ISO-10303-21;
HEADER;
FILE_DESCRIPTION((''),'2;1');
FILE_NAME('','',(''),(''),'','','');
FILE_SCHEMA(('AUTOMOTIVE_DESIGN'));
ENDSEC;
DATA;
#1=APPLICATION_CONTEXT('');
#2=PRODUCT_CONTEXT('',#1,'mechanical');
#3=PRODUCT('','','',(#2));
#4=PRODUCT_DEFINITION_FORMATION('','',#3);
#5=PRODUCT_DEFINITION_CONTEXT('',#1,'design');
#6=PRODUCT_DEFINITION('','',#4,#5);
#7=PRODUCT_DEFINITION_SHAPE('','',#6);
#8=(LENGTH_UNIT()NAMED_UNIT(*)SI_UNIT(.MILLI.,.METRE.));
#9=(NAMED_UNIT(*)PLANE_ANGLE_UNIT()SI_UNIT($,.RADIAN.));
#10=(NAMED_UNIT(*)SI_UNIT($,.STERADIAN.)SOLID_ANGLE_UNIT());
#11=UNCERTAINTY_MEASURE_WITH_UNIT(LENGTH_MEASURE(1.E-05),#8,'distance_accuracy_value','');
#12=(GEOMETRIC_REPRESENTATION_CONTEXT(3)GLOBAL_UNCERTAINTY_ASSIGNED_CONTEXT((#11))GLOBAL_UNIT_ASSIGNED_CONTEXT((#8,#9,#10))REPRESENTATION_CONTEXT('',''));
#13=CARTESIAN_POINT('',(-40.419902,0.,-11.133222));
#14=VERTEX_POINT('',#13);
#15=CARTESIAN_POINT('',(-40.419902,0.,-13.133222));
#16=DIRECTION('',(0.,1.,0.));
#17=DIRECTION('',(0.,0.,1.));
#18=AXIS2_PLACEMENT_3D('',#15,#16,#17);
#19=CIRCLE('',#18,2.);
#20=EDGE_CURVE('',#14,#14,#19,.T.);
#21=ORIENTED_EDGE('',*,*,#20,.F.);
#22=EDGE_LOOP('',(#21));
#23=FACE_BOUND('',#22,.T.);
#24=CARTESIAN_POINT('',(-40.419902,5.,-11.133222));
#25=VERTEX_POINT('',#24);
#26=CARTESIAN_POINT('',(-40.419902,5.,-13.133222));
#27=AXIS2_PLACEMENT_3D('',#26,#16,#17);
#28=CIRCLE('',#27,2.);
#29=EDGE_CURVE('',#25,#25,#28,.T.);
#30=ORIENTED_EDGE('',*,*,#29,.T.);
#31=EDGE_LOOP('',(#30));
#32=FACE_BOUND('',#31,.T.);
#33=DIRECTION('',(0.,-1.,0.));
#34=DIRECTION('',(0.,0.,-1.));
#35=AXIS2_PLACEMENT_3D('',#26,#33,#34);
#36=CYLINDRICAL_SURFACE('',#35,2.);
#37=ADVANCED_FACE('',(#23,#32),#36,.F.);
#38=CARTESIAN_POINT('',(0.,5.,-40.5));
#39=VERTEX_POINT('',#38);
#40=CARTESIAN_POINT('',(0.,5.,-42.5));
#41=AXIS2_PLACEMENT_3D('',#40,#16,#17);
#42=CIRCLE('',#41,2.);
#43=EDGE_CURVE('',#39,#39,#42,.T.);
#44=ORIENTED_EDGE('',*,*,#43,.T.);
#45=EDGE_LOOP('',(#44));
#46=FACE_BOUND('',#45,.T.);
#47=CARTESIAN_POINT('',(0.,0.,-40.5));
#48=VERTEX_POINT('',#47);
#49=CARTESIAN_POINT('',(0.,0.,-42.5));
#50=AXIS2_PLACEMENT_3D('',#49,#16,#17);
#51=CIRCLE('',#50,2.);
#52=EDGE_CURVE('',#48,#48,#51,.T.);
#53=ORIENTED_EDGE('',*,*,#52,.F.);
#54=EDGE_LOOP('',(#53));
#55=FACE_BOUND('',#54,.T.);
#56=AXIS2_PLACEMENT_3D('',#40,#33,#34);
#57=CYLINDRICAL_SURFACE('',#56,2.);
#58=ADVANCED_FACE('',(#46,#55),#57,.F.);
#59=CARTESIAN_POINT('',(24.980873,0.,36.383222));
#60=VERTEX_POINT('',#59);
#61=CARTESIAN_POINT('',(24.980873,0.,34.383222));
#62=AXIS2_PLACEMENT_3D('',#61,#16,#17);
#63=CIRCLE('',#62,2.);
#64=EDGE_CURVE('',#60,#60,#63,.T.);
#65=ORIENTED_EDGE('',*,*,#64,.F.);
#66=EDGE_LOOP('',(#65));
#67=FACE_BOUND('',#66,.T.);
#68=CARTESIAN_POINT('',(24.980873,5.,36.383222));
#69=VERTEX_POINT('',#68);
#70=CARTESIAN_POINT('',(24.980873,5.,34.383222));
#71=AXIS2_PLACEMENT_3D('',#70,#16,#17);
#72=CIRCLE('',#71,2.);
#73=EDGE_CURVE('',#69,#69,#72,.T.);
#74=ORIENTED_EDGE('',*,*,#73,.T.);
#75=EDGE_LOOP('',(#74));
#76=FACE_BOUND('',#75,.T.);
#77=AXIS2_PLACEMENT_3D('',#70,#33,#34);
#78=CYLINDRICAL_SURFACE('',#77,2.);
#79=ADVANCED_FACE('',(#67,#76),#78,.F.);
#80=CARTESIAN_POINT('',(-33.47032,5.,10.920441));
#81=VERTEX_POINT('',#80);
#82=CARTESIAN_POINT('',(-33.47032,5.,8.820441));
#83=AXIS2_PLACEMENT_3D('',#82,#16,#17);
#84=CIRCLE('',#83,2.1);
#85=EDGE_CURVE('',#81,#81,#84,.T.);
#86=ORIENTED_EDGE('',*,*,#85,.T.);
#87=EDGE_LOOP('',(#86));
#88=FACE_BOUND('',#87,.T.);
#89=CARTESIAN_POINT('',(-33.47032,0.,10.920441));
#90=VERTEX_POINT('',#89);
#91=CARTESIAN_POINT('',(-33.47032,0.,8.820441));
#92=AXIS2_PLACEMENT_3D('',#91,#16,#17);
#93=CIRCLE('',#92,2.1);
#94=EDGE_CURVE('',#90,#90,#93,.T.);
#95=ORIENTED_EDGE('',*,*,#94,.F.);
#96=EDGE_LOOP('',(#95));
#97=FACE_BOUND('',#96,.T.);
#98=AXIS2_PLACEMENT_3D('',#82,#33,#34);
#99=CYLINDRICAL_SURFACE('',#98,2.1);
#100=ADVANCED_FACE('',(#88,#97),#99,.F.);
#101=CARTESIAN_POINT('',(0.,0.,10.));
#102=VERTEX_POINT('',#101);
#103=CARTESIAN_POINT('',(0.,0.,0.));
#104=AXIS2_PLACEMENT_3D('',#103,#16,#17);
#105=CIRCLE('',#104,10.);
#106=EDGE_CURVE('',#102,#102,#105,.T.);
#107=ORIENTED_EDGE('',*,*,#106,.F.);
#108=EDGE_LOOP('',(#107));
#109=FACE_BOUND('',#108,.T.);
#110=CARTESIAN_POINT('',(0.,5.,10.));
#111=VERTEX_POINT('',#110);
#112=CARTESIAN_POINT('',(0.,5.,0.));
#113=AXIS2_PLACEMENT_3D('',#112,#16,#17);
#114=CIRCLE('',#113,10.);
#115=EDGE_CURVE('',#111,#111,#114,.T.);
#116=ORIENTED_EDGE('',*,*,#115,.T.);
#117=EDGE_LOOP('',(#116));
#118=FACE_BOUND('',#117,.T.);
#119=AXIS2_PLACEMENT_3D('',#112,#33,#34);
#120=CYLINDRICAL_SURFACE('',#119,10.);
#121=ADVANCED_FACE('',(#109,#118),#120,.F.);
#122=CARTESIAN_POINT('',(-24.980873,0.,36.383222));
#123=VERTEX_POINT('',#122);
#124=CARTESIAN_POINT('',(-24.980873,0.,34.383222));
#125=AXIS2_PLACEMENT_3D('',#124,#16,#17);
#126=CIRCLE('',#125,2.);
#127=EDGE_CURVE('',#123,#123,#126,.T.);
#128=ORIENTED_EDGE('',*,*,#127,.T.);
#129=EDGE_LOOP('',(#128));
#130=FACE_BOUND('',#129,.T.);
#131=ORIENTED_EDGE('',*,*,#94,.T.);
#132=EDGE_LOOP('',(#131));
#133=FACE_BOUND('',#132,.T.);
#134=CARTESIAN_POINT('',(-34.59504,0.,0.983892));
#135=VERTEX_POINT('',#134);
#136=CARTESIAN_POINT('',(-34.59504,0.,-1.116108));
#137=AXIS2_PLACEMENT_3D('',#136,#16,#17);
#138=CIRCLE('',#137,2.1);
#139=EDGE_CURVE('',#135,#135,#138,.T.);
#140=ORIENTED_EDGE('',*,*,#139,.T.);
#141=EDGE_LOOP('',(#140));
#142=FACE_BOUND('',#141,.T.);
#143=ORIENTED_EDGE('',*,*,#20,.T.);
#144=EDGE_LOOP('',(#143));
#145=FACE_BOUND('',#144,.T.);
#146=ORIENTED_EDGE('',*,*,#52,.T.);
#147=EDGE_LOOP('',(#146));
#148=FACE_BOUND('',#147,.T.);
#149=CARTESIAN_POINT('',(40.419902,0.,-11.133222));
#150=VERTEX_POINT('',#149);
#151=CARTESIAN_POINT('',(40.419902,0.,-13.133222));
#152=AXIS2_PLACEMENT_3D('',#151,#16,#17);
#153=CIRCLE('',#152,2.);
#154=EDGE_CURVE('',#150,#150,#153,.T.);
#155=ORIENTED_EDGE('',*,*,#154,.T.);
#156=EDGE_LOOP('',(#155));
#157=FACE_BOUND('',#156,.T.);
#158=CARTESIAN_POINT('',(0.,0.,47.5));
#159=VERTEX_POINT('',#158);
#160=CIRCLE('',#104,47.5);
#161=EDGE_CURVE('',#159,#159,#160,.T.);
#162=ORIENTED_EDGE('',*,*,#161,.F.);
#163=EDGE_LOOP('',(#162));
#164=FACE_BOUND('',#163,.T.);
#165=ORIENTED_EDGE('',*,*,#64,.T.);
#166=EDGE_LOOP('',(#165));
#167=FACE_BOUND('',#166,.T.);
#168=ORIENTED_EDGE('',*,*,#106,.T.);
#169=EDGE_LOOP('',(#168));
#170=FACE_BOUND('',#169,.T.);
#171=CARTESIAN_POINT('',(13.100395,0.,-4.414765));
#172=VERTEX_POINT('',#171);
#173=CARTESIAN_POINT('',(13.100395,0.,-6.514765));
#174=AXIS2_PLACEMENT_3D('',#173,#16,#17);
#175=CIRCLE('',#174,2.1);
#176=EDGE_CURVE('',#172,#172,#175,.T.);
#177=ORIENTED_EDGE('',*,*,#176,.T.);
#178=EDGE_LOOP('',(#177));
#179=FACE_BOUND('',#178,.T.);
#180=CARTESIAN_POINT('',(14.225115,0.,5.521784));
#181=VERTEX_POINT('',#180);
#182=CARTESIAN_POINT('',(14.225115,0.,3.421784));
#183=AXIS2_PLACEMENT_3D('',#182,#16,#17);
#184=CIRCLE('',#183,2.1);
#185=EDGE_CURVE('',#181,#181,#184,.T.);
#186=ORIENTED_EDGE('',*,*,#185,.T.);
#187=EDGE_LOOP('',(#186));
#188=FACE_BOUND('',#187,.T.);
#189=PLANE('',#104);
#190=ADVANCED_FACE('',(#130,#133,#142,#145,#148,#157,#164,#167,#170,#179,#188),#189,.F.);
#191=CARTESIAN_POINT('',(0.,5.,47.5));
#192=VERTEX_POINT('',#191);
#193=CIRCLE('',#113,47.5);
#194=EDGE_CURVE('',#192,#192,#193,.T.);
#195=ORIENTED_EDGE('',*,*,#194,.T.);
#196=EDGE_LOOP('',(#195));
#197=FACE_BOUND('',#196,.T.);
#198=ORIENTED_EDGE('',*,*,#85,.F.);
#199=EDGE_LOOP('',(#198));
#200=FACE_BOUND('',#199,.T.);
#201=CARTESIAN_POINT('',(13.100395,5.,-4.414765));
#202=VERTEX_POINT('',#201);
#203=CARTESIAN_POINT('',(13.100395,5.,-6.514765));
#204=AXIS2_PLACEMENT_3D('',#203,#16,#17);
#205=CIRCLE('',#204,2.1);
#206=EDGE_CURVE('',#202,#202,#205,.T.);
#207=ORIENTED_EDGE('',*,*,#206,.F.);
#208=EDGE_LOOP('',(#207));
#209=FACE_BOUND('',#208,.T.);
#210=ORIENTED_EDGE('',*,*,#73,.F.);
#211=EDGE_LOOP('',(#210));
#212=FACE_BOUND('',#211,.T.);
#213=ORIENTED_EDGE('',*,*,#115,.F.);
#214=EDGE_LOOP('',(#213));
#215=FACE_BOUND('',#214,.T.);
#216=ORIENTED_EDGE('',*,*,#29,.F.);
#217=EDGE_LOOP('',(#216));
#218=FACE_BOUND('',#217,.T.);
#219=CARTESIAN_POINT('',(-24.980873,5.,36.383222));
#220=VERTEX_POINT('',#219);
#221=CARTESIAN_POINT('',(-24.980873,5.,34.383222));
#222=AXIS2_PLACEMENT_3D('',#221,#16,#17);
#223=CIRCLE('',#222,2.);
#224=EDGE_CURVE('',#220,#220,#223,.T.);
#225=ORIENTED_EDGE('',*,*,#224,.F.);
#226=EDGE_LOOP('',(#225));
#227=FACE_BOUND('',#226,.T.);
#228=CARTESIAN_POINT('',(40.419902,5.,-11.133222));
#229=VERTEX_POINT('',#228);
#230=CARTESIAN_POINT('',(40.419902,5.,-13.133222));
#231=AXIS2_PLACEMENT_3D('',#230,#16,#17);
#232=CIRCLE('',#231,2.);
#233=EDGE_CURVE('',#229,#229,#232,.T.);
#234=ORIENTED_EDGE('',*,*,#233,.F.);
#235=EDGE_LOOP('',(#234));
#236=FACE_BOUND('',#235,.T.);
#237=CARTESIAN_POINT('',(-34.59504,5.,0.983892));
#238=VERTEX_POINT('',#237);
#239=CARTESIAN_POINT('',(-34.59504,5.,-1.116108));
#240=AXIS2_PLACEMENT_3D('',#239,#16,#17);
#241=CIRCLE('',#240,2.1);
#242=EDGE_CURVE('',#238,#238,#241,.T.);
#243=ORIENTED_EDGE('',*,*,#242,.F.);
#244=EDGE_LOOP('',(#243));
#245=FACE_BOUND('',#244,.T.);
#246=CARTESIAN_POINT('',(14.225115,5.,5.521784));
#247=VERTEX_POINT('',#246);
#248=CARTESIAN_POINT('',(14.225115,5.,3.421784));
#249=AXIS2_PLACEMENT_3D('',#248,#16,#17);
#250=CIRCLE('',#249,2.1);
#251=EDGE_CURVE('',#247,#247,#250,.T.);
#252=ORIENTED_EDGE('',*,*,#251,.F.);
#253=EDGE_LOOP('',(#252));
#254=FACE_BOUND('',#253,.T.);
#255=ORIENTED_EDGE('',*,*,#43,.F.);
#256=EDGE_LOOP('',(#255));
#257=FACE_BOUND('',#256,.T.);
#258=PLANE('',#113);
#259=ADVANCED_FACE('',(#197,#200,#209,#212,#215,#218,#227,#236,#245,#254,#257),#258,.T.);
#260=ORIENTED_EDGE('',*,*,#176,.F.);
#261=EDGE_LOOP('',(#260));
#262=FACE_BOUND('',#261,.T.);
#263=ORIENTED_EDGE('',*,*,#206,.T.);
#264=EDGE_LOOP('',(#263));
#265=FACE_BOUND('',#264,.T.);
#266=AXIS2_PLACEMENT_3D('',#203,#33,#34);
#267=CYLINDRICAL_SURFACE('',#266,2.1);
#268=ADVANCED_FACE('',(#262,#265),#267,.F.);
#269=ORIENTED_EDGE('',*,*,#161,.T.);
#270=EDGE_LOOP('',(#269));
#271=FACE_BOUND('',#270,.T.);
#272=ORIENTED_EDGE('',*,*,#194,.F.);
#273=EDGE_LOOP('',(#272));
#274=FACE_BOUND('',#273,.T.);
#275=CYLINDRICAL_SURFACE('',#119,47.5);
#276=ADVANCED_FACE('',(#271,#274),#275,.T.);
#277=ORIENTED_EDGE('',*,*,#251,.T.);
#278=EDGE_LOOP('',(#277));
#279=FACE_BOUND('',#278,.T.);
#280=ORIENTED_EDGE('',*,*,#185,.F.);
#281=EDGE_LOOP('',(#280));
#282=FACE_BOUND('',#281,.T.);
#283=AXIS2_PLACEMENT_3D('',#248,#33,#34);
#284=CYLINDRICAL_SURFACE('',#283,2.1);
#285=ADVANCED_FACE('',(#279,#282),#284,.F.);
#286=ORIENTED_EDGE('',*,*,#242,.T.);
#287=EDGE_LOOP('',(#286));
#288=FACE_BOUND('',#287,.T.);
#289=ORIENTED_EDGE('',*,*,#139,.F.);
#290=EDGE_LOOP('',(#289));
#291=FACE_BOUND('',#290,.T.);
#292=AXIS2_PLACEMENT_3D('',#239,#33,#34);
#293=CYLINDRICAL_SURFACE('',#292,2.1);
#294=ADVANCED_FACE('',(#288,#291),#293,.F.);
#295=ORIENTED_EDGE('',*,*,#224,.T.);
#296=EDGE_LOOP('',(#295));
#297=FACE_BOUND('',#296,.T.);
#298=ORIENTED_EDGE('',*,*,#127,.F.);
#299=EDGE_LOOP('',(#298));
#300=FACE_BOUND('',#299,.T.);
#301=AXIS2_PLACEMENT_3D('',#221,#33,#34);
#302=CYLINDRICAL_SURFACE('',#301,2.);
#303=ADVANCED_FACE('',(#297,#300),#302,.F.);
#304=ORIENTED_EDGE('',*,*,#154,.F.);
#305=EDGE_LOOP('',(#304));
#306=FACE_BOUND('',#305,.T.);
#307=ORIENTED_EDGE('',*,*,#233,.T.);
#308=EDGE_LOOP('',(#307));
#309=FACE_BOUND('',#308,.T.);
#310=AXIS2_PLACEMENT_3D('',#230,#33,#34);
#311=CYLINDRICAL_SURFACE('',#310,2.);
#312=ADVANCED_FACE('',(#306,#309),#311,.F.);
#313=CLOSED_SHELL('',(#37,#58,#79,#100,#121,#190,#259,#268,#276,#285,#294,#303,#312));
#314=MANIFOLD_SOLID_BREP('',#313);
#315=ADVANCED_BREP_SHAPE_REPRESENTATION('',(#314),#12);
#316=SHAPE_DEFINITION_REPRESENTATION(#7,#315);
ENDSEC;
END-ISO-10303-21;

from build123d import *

# Parameters (mm, degrees)
SKETCH1_R           = 47.5
SKETCH1_R_2         = 2
SKETCH1_R_3         = 10
SKETCH1_R_4         = 2.1
BOSS_EXTRUDE1_DEPTH = 5


with BuildPart() as part:
    # Sketch1 → Boss-Extrude1 (new body)
    with BuildSketch(Plane(origin=(0, 0, 0), x_dir=(1, 0, 0), z_dir=(0, 1, 0))):
        Circle(SKETCH1_R)
        with Locations((0, 42.5)):
            Circle(SKETCH1_R_2, mode=Mode.SUBTRACT)
        with Locations((40.419901943, 13.133222261)):
            Circle(SKETCH1_R_2, mode=Mode.SUBTRACT)
        with Locations((24.980873222, -34.383222261)):
            Circle(SKETCH1_R_2, mode=Mode.SUBTRACT)
        with Locations((-24.980873222, -34.383222261)):
            Circle(SKETCH1_R_2, mode=Mode.SUBTRACT)
        with Locations((-40.419901943, 13.133222261)):
            Circle(SKETCH1_R_2, mode=Mode.SUBTRACT)
        Circle(SKETCH1_R_3, mode=Mode.SUBTRACT)
        with Locations((-34.595040144, 1.116108173)):
            Circle(SKETCH1_R_4, mode=Mode.SUBTRACT)
        with Locations((14.225114828, -3.421784349)):
            Circle(SKETCH1_R_4, mode=Mode.SUBTRACT)
        with Locations((-33.470320058, -8.820440761)):
            Circle(SKETCH1_R_4, mode=Mode.SUBTRACT)
        with Locations((13.100394742, 6.514764585)):
            Circle(SKETCH1_R_4, mode=Mode.SUBTRACT)
    extrude(amount=BOSS_EXTRUDE1_DEPTH)


solid = part.part
